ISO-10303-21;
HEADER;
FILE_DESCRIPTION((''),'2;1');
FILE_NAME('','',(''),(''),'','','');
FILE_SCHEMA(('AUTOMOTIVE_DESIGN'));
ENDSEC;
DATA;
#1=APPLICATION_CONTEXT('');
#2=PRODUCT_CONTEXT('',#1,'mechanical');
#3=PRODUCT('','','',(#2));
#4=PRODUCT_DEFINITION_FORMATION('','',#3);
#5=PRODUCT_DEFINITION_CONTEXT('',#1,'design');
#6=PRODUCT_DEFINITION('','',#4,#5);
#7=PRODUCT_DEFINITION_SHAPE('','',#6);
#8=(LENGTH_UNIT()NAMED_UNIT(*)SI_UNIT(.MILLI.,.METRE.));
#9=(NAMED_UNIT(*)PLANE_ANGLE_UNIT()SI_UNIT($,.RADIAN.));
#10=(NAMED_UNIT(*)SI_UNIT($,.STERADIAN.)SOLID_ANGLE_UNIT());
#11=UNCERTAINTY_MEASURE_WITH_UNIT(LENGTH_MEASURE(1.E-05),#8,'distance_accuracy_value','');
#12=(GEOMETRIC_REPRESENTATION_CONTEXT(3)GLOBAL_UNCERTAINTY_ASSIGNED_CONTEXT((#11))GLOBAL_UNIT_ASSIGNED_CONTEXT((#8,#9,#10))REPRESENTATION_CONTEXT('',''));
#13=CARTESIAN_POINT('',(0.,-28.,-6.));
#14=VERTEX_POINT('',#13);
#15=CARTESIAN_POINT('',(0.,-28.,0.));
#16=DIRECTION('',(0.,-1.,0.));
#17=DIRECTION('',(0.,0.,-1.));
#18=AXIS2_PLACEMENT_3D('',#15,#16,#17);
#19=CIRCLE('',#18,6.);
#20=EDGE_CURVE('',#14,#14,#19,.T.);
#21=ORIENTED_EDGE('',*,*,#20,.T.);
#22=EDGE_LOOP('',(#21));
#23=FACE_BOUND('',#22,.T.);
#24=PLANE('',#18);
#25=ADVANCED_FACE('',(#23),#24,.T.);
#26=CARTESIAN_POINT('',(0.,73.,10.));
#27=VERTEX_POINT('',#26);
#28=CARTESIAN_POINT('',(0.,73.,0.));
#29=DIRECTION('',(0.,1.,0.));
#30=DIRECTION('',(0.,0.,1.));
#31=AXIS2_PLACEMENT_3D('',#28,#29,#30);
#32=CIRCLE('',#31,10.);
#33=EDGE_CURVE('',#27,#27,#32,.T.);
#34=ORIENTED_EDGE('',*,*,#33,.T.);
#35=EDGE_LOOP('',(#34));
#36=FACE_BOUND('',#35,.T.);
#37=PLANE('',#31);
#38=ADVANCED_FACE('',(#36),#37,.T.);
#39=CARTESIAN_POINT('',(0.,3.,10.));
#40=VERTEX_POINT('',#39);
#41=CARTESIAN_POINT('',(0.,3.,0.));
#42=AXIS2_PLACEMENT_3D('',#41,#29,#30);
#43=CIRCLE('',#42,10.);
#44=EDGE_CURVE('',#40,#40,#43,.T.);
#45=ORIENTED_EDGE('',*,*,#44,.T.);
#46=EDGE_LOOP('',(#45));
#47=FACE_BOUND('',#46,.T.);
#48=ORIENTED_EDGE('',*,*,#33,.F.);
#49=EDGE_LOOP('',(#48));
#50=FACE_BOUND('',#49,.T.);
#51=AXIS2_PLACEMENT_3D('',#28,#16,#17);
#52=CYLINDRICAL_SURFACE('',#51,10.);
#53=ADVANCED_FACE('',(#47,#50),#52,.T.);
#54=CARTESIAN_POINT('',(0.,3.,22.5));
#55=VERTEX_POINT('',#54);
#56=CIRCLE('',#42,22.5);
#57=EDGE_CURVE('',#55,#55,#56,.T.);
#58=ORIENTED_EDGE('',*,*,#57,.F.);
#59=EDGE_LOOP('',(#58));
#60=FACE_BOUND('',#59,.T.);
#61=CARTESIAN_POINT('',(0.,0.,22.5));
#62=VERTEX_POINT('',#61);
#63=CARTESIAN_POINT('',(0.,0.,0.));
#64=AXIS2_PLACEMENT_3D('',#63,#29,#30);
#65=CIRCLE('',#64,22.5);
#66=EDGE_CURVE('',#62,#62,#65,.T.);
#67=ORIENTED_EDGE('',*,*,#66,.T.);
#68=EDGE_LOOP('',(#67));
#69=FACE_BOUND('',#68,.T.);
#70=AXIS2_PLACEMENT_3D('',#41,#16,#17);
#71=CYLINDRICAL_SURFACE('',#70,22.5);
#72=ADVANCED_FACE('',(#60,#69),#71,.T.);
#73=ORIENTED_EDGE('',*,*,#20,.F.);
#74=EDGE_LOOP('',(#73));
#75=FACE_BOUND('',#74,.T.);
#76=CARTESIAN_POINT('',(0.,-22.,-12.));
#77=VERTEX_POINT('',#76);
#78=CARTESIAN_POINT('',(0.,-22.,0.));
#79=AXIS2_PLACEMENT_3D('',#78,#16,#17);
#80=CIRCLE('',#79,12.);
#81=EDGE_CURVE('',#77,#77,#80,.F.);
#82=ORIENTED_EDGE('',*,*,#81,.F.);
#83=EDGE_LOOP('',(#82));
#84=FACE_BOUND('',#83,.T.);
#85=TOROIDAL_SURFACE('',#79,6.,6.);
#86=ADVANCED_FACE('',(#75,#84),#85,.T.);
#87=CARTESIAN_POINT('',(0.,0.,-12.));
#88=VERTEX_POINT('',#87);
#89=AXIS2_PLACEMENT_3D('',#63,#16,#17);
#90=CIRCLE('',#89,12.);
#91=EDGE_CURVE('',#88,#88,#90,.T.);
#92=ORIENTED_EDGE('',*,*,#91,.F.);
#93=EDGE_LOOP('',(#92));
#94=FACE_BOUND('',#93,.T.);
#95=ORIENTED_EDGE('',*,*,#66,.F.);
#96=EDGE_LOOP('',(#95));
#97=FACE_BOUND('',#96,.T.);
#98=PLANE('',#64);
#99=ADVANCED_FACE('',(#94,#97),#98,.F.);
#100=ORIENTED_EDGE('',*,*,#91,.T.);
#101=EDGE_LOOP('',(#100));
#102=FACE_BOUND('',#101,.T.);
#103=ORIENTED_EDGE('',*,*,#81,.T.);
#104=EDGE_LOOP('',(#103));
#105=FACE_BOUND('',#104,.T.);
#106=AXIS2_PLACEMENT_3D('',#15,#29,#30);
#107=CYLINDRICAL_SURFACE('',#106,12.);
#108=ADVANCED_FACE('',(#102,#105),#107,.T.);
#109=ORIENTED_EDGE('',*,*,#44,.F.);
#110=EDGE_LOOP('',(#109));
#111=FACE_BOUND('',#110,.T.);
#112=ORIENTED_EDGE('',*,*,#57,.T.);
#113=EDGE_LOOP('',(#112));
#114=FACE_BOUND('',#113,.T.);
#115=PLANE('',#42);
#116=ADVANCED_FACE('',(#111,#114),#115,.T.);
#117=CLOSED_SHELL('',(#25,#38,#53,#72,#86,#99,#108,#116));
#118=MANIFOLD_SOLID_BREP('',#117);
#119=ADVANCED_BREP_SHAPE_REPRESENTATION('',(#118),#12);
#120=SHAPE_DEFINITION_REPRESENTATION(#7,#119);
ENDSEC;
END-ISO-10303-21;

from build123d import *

# Parameters (mm, degrees)
SKETCH1_R           = 22.5
BOSS_EXTRUDE3_DEPTH = 3
SKETCH2_R           = 10
BOSS_EXTRUDE5_DEPTH = 70
SKETCH5_R           = 12
BOSS_EXTRUDE6_DEPTH = 28
FILLET1_R           = 6


with BuildPart() as part:
    # Sketch1 → Boss-Extrude3 (new body)
    with BuildSketch(Plane(origin=(0, 0, 0), x_dir=(1, 0, 0), z_dir=(0, 1, 0))):
        with Locations(Location((0, 0, 0), (0, 0, 270))):
            Circle(SKETCH1_R)
    extrude(amount=BOSS_EXTRUDE3_DEPTH)

    # Sketch2 → Boss-Extrude5 (add)
    with BuildSketch(Plane(origin=(0, 3, 0), x_dir=(1, 0, 0), z_dir=(0, 1, 0))):
        with Locations(Location((0, 0, 0), (0, 0, 270))):
            Circle(SKETCH2_R)
    extrude(amount=BOSS_EXTRUDE5_DEPTH)

    # Sketch5 → Boss-Extrude6 (add)
    with BuildSketch(Plane.XZ):
        with Locations(Location((0, 0, 0), (0, 0, 270))):
            Circle(SKETCH5_R)
    extrude(amount=BOSS_EXTRUDE6_DEPTH)

    # Fillet1
    fillet1_edges = [part.edges().sort_by_distance(p)[0] for p in [
        (0, -28, 12),
    ]]
    fillet(fillet1_edges, radius=FILLET1_R)


solid = part.part
